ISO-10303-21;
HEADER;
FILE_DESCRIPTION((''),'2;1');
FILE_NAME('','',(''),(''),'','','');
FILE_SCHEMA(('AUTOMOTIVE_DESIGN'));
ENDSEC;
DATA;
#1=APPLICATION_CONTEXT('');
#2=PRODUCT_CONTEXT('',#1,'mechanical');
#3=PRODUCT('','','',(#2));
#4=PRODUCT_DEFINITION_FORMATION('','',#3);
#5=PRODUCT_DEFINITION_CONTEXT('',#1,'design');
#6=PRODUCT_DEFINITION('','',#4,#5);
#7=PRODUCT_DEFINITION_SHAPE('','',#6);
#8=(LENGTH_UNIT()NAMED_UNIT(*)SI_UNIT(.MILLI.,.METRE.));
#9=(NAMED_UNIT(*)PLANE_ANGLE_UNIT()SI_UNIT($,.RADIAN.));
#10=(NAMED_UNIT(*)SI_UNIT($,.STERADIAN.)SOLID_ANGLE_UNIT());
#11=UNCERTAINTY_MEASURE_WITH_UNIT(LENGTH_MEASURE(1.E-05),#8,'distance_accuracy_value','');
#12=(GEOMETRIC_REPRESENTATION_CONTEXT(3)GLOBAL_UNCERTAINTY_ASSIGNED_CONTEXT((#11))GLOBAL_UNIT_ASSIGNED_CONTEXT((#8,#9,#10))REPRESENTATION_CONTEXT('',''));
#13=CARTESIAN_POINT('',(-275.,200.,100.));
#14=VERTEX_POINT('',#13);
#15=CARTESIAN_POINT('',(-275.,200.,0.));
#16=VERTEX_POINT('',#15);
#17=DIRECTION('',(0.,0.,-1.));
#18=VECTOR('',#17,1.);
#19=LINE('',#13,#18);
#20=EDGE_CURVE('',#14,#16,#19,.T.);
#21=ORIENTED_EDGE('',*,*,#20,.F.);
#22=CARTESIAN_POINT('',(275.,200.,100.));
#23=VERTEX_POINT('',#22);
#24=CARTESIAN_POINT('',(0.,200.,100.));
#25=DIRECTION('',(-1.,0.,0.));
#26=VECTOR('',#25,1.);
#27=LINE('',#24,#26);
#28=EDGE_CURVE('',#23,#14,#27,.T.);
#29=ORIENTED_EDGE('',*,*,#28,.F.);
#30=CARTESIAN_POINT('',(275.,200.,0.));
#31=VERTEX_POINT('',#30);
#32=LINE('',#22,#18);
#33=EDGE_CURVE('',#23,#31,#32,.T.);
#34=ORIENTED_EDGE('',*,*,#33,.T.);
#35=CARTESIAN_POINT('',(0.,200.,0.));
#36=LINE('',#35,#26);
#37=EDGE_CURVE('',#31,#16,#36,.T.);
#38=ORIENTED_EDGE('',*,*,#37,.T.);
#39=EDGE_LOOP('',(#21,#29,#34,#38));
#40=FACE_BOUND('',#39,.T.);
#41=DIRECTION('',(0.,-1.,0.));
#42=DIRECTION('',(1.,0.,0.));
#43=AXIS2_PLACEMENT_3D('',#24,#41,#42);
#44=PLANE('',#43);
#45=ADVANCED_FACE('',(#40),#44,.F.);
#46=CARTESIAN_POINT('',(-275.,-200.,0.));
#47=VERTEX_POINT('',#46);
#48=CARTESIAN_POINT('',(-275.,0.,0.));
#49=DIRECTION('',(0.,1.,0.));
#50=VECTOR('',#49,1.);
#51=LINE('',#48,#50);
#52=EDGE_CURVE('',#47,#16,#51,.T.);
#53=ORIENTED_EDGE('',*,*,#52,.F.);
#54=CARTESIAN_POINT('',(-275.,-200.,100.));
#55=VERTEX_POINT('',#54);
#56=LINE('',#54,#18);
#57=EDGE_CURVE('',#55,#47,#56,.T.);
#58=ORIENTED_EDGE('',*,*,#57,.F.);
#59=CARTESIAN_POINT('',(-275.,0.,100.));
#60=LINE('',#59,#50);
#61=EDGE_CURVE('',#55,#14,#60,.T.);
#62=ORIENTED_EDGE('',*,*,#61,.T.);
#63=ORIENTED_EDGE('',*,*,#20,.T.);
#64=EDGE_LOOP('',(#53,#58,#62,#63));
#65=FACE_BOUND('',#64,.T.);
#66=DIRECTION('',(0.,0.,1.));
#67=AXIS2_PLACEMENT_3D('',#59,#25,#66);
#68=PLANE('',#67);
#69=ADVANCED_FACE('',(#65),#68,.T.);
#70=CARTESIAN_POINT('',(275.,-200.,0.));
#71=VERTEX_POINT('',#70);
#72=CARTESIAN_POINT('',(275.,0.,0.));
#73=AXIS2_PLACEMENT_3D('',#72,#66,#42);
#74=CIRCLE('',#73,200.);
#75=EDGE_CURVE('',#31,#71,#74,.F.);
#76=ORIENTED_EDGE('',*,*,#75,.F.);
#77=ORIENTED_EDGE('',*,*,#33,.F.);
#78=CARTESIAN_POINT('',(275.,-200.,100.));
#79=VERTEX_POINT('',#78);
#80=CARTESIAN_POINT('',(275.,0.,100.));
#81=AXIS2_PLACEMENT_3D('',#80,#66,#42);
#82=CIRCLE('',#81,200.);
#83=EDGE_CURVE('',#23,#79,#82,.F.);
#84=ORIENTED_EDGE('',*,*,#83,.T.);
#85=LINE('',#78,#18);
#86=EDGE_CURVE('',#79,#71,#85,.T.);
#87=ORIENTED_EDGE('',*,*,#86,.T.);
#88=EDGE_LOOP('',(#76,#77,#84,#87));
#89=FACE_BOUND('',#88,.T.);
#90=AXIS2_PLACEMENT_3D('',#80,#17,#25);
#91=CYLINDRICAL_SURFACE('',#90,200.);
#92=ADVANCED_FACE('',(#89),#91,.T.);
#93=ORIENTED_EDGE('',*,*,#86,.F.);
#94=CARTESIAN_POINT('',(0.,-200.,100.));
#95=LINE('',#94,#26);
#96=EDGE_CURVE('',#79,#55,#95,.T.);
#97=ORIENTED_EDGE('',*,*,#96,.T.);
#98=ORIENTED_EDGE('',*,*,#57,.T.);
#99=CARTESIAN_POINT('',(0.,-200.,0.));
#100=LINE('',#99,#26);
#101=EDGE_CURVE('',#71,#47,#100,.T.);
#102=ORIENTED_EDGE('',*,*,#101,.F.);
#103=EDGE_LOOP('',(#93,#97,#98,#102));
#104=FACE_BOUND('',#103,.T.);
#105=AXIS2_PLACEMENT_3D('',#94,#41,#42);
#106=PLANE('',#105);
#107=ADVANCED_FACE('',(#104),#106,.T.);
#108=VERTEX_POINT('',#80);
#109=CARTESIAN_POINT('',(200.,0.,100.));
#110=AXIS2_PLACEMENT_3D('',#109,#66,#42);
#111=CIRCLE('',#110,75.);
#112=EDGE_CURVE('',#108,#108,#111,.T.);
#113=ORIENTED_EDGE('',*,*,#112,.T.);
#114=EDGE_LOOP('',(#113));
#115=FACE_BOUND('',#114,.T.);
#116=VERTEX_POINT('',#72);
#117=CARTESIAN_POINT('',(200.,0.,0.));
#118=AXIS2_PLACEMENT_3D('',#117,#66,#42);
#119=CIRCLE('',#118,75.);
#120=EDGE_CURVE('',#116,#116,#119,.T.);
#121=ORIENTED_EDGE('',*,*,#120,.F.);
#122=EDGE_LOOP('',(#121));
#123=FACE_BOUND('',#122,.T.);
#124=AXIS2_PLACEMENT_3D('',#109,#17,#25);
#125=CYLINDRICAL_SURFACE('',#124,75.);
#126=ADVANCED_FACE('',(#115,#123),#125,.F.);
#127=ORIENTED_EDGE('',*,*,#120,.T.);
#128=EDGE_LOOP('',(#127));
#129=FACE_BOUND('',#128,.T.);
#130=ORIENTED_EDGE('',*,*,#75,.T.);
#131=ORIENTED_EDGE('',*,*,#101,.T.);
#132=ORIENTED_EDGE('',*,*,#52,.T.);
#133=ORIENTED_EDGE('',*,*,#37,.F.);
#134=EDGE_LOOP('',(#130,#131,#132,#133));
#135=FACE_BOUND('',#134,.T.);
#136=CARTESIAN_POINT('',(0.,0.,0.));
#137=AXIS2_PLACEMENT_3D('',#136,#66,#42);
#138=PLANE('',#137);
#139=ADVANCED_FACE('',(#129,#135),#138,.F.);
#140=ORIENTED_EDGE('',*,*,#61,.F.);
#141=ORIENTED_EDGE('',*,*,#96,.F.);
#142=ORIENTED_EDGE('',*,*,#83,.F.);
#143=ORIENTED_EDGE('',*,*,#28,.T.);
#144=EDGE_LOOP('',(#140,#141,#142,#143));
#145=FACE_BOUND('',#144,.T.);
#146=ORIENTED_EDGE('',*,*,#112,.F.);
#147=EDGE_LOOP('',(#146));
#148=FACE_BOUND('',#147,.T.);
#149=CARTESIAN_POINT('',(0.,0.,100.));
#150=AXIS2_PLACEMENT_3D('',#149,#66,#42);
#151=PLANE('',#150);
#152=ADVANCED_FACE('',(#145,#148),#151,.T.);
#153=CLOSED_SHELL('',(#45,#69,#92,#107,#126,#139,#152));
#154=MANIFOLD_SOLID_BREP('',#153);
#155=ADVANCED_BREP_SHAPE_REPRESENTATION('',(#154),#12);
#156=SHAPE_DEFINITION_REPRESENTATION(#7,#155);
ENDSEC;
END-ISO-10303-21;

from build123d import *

# Parameters (mm, degrees)
SKETCH1_R           = 75
BOSS_EXTRUDE1_DEPTH = 100


with BuildPart() as part:
    # Sketch1 → Boss-Extrude1 (new body)
    with BuildSketch(Plane.XY):
        with BuildLine():
            Line((275, -200), (-275, -200))
            Line((-275, -200), (-275, 200))
            Line((-275, 200), (275, 200))
            ThreePointArc((275, 200), (475, 0), (275, -200))
        make_face()
        with Locations((200, 0)):
            Circle(SKETCH1_R, mode=Mode.SUBTRACT)
    extrude(amount=BOSS_EXTRUDE1_DEPTH)


solid = part.part
